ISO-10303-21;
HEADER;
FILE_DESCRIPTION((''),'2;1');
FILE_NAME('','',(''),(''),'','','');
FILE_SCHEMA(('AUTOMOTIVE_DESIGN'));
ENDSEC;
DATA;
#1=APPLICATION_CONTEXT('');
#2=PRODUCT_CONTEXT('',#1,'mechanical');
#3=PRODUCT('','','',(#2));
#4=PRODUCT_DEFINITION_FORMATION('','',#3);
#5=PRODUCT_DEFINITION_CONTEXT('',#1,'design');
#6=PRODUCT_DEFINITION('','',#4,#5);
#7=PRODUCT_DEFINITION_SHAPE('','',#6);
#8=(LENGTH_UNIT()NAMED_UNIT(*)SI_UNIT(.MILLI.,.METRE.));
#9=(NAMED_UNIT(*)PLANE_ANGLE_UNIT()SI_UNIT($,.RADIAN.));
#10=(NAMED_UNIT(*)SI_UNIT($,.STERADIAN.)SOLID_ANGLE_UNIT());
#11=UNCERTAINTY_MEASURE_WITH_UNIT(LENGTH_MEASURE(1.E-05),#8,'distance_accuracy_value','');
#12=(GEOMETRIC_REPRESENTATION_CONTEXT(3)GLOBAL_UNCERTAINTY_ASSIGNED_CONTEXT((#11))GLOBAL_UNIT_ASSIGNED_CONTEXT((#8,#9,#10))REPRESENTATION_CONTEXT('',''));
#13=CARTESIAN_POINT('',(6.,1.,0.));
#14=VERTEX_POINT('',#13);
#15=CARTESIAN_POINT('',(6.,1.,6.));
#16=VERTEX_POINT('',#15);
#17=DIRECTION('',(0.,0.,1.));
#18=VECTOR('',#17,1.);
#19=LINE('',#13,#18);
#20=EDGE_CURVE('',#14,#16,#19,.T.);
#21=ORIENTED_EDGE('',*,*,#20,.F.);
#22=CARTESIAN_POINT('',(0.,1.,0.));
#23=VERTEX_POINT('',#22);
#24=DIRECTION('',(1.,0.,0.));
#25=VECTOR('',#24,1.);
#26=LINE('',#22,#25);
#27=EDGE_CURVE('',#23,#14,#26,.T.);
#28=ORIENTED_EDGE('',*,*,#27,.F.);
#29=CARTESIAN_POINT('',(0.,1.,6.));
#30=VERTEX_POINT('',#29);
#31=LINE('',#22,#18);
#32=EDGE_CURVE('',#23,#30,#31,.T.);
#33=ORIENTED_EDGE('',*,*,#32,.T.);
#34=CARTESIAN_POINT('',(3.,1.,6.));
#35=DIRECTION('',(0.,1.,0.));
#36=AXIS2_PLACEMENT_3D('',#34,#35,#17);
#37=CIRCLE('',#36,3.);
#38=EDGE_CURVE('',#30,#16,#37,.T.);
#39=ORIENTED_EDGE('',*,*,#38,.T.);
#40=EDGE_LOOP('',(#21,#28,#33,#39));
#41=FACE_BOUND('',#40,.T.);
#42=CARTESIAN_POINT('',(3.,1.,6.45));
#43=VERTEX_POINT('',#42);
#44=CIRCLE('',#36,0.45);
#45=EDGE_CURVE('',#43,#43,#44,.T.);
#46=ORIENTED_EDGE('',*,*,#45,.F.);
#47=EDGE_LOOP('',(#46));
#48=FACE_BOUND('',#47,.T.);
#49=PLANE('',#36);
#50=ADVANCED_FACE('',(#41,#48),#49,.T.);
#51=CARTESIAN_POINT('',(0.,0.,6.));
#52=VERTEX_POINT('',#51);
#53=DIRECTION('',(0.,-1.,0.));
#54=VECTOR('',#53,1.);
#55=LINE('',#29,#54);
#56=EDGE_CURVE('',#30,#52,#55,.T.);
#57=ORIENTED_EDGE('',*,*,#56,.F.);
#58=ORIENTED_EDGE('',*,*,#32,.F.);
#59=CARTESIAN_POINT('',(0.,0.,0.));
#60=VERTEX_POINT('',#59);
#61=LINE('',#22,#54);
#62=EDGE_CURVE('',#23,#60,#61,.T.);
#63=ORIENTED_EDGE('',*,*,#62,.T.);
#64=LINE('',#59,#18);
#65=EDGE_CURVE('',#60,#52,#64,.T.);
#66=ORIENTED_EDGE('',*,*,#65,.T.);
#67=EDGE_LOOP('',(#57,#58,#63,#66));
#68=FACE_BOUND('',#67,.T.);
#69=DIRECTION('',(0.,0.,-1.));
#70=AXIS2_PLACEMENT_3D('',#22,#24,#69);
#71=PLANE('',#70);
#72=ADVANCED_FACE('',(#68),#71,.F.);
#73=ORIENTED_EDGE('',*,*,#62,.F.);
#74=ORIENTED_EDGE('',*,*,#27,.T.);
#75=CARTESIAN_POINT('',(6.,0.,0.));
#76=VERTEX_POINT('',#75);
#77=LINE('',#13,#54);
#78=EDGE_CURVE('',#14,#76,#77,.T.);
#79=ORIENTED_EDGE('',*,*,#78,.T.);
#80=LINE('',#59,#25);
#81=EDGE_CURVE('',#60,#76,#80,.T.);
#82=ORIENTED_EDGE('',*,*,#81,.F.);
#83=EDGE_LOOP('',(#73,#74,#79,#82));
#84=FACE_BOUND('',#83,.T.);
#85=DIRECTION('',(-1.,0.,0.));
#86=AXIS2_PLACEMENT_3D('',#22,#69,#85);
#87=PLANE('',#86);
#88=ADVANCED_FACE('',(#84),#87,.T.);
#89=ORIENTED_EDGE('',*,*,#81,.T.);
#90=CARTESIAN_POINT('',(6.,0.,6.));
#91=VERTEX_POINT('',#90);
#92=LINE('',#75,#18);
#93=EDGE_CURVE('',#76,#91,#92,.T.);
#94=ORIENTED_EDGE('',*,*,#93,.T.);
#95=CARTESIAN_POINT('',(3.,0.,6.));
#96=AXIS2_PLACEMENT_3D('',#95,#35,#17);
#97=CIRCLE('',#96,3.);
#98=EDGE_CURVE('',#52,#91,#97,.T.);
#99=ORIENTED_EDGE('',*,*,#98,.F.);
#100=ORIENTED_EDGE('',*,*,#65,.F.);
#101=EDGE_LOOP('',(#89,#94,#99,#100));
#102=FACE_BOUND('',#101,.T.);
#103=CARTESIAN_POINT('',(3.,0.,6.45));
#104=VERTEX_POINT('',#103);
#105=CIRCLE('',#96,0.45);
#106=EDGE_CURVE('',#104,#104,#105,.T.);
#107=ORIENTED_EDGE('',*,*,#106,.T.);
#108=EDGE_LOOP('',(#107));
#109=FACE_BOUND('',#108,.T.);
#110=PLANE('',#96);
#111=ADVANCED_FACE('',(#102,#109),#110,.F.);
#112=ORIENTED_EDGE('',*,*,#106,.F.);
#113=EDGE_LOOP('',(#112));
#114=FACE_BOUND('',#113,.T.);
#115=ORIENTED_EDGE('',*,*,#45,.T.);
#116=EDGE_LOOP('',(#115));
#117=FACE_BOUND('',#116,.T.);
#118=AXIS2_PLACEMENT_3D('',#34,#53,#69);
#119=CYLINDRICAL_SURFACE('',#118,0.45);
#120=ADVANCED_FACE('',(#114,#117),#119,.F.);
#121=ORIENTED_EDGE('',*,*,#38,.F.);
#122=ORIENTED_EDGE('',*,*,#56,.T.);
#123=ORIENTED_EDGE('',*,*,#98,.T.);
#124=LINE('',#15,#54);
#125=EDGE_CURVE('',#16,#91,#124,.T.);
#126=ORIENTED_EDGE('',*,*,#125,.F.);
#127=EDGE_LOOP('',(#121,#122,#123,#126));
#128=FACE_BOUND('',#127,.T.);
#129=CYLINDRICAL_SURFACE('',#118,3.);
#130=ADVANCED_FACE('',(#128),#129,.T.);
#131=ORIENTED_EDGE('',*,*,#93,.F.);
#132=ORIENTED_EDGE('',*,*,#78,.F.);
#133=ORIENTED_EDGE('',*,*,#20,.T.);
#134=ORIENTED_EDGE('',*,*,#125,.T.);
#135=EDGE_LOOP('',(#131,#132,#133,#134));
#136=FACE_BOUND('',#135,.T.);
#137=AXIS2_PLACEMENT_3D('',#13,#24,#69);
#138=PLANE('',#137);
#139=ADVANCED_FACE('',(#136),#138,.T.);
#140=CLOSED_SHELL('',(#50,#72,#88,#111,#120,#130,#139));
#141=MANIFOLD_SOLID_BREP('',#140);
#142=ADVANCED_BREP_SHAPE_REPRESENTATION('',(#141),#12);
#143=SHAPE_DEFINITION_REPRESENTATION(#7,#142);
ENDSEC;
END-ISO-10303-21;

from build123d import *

# Parameters (mm, degrees)
SKETCH1_R           = 0.45
BOSS_EXTRUDE1_DEPTH = 1


with BuildPart() as part:
    # Sketch1 → Boss-Extrude1 (new body)
    with BuildSketch(Plane(origin=(0, 0, 0), x_dir=(1, 0, 0), z_dir=(0, 1, 0))):
        with BuildLine():
            Line((0, 0), (6, 0))
            Line((6, 0), (6, -6))
            ThreePointArc((6, -6), (3, -9), (0, -6))
            Line((0, -6), (0, 0))
        make_face()
        with Locations(Location((3, -6, 0), (0, 0, 270))):
            Circle(SKETCH1_R, mode=Mode.SUBTRACT)
    extrude(amount=BOSS_EXTRUDE1_DEPTH)


solid = part.part
